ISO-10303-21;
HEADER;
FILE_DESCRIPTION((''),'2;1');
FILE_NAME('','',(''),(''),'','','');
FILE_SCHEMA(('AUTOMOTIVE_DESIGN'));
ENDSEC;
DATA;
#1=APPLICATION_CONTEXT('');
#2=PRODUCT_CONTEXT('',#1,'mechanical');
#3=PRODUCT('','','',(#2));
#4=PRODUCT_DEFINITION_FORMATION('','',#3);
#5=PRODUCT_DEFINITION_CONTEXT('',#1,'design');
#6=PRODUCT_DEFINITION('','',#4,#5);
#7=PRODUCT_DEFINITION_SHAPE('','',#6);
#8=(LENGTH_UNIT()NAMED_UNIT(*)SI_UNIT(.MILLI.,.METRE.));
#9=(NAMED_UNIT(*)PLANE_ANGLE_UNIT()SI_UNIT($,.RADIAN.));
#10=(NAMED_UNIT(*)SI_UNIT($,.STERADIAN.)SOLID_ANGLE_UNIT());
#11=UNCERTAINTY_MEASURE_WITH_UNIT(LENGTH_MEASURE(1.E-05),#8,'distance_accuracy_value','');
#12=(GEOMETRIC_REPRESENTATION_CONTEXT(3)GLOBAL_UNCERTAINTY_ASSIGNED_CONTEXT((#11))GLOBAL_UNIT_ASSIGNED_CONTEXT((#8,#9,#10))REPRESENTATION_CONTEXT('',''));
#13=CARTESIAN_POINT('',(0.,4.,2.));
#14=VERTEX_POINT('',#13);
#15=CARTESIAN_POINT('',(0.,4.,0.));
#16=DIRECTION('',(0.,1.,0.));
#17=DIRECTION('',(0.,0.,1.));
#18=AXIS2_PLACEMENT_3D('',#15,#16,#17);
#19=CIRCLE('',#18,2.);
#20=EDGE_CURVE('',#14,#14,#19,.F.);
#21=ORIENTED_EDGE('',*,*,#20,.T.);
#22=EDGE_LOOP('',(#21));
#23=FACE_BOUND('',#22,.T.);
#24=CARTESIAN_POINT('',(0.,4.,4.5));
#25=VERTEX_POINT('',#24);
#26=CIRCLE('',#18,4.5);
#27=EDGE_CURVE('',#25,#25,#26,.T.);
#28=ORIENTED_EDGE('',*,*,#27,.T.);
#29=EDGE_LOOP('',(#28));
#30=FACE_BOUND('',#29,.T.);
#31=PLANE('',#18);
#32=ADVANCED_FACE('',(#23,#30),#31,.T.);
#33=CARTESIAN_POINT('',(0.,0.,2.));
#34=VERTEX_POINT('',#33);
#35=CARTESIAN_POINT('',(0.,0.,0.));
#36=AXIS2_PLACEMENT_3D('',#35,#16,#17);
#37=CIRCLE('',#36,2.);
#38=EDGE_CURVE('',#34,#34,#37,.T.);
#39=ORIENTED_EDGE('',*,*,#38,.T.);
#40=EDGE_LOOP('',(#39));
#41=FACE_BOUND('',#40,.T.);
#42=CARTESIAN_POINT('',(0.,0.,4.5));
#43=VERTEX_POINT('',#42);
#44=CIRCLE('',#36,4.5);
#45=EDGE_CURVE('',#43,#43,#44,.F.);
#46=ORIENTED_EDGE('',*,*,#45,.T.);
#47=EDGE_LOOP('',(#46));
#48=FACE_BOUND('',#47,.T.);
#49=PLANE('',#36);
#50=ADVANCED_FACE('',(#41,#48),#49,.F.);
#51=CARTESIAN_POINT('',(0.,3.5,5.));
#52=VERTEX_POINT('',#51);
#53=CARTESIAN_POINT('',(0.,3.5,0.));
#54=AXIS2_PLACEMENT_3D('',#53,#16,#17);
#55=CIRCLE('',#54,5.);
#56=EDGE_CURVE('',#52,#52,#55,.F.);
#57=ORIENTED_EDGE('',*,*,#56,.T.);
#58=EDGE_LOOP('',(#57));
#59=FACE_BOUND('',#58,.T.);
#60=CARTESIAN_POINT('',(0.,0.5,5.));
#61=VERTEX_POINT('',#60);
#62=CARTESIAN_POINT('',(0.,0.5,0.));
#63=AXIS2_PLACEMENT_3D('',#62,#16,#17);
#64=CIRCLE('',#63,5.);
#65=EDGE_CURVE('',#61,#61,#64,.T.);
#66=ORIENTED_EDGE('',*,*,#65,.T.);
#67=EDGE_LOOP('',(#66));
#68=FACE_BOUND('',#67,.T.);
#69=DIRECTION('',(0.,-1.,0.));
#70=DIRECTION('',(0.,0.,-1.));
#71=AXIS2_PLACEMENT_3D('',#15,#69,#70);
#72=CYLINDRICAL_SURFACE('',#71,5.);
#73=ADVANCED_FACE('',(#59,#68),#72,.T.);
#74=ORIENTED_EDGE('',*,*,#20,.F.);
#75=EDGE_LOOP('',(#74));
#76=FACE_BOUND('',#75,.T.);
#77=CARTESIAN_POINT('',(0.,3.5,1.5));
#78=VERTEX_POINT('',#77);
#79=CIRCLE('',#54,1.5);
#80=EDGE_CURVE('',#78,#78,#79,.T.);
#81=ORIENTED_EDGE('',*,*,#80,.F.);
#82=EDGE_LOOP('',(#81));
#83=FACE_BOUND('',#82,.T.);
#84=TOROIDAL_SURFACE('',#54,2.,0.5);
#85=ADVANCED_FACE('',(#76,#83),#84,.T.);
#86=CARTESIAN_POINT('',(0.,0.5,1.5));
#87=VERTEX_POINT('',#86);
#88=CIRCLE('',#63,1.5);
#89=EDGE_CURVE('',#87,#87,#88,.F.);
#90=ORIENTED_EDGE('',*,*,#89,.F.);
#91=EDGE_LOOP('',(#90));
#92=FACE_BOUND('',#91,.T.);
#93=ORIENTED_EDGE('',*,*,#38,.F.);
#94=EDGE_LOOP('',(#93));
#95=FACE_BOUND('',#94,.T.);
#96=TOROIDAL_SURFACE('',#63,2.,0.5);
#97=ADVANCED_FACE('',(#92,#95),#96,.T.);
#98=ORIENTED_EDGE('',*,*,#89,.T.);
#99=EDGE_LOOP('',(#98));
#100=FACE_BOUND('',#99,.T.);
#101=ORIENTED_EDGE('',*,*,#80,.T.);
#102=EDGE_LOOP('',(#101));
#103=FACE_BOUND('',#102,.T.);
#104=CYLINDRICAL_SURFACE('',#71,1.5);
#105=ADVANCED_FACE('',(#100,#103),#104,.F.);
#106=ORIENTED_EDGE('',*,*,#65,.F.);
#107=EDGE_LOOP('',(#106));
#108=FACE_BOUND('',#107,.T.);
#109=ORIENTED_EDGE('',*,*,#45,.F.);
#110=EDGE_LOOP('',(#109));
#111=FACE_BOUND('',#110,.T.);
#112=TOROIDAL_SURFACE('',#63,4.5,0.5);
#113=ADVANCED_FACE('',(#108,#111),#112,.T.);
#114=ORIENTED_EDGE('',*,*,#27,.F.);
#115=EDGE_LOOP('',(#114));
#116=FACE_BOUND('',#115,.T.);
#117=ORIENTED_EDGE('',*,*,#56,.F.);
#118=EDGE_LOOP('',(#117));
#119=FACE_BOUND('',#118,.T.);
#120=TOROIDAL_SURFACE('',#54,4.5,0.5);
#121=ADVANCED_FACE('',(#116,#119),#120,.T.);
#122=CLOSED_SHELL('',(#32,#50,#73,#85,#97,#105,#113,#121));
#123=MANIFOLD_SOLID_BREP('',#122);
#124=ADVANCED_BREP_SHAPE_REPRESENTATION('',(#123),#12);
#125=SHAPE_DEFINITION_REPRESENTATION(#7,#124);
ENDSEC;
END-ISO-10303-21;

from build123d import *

# Parameters (mm, degrees)
SKETCH2_R           = 5
SKETCH2_R_2         = 1.5
BOSS_EXTRUDE1_DEPTH = 4
FILLET1_R           = 0.5
FILLET2_R           = 0.5


with BuildPart() as part:
    # Sketch2 → Boss-Extrude1 (new body)
    with BuildSketch(Plane(origin=(0, 0, 0), x_dir=(1, 0, 0), z_dir=(0, 1, 0))):
        Circle(SKETCH2_R)
        Circle(SKETCH2_R_2, mode=Mode.SUBTRACT)
    extrude(amount=BOSS_EXTRUDE1_DEPTH)

    # Fillet1
    fillet1_edges = [part.edges().sort_by_distance(p)[0] for p in [
        (-5, 0, 0),
        (-5, 4, 0),
    ]]
    fillet(fillet1_edges, radius=FILLET1_R)

    # Fillet2
    fillet2_edges = [part.edges().sort_by_distance(p)[0] for p in [
        (-1.5, 0, 0),
        (-1.5, 4, 0),
    ]]
    fillet(fillet2_edges, radius=FILLET2_R)


solid = part.part
